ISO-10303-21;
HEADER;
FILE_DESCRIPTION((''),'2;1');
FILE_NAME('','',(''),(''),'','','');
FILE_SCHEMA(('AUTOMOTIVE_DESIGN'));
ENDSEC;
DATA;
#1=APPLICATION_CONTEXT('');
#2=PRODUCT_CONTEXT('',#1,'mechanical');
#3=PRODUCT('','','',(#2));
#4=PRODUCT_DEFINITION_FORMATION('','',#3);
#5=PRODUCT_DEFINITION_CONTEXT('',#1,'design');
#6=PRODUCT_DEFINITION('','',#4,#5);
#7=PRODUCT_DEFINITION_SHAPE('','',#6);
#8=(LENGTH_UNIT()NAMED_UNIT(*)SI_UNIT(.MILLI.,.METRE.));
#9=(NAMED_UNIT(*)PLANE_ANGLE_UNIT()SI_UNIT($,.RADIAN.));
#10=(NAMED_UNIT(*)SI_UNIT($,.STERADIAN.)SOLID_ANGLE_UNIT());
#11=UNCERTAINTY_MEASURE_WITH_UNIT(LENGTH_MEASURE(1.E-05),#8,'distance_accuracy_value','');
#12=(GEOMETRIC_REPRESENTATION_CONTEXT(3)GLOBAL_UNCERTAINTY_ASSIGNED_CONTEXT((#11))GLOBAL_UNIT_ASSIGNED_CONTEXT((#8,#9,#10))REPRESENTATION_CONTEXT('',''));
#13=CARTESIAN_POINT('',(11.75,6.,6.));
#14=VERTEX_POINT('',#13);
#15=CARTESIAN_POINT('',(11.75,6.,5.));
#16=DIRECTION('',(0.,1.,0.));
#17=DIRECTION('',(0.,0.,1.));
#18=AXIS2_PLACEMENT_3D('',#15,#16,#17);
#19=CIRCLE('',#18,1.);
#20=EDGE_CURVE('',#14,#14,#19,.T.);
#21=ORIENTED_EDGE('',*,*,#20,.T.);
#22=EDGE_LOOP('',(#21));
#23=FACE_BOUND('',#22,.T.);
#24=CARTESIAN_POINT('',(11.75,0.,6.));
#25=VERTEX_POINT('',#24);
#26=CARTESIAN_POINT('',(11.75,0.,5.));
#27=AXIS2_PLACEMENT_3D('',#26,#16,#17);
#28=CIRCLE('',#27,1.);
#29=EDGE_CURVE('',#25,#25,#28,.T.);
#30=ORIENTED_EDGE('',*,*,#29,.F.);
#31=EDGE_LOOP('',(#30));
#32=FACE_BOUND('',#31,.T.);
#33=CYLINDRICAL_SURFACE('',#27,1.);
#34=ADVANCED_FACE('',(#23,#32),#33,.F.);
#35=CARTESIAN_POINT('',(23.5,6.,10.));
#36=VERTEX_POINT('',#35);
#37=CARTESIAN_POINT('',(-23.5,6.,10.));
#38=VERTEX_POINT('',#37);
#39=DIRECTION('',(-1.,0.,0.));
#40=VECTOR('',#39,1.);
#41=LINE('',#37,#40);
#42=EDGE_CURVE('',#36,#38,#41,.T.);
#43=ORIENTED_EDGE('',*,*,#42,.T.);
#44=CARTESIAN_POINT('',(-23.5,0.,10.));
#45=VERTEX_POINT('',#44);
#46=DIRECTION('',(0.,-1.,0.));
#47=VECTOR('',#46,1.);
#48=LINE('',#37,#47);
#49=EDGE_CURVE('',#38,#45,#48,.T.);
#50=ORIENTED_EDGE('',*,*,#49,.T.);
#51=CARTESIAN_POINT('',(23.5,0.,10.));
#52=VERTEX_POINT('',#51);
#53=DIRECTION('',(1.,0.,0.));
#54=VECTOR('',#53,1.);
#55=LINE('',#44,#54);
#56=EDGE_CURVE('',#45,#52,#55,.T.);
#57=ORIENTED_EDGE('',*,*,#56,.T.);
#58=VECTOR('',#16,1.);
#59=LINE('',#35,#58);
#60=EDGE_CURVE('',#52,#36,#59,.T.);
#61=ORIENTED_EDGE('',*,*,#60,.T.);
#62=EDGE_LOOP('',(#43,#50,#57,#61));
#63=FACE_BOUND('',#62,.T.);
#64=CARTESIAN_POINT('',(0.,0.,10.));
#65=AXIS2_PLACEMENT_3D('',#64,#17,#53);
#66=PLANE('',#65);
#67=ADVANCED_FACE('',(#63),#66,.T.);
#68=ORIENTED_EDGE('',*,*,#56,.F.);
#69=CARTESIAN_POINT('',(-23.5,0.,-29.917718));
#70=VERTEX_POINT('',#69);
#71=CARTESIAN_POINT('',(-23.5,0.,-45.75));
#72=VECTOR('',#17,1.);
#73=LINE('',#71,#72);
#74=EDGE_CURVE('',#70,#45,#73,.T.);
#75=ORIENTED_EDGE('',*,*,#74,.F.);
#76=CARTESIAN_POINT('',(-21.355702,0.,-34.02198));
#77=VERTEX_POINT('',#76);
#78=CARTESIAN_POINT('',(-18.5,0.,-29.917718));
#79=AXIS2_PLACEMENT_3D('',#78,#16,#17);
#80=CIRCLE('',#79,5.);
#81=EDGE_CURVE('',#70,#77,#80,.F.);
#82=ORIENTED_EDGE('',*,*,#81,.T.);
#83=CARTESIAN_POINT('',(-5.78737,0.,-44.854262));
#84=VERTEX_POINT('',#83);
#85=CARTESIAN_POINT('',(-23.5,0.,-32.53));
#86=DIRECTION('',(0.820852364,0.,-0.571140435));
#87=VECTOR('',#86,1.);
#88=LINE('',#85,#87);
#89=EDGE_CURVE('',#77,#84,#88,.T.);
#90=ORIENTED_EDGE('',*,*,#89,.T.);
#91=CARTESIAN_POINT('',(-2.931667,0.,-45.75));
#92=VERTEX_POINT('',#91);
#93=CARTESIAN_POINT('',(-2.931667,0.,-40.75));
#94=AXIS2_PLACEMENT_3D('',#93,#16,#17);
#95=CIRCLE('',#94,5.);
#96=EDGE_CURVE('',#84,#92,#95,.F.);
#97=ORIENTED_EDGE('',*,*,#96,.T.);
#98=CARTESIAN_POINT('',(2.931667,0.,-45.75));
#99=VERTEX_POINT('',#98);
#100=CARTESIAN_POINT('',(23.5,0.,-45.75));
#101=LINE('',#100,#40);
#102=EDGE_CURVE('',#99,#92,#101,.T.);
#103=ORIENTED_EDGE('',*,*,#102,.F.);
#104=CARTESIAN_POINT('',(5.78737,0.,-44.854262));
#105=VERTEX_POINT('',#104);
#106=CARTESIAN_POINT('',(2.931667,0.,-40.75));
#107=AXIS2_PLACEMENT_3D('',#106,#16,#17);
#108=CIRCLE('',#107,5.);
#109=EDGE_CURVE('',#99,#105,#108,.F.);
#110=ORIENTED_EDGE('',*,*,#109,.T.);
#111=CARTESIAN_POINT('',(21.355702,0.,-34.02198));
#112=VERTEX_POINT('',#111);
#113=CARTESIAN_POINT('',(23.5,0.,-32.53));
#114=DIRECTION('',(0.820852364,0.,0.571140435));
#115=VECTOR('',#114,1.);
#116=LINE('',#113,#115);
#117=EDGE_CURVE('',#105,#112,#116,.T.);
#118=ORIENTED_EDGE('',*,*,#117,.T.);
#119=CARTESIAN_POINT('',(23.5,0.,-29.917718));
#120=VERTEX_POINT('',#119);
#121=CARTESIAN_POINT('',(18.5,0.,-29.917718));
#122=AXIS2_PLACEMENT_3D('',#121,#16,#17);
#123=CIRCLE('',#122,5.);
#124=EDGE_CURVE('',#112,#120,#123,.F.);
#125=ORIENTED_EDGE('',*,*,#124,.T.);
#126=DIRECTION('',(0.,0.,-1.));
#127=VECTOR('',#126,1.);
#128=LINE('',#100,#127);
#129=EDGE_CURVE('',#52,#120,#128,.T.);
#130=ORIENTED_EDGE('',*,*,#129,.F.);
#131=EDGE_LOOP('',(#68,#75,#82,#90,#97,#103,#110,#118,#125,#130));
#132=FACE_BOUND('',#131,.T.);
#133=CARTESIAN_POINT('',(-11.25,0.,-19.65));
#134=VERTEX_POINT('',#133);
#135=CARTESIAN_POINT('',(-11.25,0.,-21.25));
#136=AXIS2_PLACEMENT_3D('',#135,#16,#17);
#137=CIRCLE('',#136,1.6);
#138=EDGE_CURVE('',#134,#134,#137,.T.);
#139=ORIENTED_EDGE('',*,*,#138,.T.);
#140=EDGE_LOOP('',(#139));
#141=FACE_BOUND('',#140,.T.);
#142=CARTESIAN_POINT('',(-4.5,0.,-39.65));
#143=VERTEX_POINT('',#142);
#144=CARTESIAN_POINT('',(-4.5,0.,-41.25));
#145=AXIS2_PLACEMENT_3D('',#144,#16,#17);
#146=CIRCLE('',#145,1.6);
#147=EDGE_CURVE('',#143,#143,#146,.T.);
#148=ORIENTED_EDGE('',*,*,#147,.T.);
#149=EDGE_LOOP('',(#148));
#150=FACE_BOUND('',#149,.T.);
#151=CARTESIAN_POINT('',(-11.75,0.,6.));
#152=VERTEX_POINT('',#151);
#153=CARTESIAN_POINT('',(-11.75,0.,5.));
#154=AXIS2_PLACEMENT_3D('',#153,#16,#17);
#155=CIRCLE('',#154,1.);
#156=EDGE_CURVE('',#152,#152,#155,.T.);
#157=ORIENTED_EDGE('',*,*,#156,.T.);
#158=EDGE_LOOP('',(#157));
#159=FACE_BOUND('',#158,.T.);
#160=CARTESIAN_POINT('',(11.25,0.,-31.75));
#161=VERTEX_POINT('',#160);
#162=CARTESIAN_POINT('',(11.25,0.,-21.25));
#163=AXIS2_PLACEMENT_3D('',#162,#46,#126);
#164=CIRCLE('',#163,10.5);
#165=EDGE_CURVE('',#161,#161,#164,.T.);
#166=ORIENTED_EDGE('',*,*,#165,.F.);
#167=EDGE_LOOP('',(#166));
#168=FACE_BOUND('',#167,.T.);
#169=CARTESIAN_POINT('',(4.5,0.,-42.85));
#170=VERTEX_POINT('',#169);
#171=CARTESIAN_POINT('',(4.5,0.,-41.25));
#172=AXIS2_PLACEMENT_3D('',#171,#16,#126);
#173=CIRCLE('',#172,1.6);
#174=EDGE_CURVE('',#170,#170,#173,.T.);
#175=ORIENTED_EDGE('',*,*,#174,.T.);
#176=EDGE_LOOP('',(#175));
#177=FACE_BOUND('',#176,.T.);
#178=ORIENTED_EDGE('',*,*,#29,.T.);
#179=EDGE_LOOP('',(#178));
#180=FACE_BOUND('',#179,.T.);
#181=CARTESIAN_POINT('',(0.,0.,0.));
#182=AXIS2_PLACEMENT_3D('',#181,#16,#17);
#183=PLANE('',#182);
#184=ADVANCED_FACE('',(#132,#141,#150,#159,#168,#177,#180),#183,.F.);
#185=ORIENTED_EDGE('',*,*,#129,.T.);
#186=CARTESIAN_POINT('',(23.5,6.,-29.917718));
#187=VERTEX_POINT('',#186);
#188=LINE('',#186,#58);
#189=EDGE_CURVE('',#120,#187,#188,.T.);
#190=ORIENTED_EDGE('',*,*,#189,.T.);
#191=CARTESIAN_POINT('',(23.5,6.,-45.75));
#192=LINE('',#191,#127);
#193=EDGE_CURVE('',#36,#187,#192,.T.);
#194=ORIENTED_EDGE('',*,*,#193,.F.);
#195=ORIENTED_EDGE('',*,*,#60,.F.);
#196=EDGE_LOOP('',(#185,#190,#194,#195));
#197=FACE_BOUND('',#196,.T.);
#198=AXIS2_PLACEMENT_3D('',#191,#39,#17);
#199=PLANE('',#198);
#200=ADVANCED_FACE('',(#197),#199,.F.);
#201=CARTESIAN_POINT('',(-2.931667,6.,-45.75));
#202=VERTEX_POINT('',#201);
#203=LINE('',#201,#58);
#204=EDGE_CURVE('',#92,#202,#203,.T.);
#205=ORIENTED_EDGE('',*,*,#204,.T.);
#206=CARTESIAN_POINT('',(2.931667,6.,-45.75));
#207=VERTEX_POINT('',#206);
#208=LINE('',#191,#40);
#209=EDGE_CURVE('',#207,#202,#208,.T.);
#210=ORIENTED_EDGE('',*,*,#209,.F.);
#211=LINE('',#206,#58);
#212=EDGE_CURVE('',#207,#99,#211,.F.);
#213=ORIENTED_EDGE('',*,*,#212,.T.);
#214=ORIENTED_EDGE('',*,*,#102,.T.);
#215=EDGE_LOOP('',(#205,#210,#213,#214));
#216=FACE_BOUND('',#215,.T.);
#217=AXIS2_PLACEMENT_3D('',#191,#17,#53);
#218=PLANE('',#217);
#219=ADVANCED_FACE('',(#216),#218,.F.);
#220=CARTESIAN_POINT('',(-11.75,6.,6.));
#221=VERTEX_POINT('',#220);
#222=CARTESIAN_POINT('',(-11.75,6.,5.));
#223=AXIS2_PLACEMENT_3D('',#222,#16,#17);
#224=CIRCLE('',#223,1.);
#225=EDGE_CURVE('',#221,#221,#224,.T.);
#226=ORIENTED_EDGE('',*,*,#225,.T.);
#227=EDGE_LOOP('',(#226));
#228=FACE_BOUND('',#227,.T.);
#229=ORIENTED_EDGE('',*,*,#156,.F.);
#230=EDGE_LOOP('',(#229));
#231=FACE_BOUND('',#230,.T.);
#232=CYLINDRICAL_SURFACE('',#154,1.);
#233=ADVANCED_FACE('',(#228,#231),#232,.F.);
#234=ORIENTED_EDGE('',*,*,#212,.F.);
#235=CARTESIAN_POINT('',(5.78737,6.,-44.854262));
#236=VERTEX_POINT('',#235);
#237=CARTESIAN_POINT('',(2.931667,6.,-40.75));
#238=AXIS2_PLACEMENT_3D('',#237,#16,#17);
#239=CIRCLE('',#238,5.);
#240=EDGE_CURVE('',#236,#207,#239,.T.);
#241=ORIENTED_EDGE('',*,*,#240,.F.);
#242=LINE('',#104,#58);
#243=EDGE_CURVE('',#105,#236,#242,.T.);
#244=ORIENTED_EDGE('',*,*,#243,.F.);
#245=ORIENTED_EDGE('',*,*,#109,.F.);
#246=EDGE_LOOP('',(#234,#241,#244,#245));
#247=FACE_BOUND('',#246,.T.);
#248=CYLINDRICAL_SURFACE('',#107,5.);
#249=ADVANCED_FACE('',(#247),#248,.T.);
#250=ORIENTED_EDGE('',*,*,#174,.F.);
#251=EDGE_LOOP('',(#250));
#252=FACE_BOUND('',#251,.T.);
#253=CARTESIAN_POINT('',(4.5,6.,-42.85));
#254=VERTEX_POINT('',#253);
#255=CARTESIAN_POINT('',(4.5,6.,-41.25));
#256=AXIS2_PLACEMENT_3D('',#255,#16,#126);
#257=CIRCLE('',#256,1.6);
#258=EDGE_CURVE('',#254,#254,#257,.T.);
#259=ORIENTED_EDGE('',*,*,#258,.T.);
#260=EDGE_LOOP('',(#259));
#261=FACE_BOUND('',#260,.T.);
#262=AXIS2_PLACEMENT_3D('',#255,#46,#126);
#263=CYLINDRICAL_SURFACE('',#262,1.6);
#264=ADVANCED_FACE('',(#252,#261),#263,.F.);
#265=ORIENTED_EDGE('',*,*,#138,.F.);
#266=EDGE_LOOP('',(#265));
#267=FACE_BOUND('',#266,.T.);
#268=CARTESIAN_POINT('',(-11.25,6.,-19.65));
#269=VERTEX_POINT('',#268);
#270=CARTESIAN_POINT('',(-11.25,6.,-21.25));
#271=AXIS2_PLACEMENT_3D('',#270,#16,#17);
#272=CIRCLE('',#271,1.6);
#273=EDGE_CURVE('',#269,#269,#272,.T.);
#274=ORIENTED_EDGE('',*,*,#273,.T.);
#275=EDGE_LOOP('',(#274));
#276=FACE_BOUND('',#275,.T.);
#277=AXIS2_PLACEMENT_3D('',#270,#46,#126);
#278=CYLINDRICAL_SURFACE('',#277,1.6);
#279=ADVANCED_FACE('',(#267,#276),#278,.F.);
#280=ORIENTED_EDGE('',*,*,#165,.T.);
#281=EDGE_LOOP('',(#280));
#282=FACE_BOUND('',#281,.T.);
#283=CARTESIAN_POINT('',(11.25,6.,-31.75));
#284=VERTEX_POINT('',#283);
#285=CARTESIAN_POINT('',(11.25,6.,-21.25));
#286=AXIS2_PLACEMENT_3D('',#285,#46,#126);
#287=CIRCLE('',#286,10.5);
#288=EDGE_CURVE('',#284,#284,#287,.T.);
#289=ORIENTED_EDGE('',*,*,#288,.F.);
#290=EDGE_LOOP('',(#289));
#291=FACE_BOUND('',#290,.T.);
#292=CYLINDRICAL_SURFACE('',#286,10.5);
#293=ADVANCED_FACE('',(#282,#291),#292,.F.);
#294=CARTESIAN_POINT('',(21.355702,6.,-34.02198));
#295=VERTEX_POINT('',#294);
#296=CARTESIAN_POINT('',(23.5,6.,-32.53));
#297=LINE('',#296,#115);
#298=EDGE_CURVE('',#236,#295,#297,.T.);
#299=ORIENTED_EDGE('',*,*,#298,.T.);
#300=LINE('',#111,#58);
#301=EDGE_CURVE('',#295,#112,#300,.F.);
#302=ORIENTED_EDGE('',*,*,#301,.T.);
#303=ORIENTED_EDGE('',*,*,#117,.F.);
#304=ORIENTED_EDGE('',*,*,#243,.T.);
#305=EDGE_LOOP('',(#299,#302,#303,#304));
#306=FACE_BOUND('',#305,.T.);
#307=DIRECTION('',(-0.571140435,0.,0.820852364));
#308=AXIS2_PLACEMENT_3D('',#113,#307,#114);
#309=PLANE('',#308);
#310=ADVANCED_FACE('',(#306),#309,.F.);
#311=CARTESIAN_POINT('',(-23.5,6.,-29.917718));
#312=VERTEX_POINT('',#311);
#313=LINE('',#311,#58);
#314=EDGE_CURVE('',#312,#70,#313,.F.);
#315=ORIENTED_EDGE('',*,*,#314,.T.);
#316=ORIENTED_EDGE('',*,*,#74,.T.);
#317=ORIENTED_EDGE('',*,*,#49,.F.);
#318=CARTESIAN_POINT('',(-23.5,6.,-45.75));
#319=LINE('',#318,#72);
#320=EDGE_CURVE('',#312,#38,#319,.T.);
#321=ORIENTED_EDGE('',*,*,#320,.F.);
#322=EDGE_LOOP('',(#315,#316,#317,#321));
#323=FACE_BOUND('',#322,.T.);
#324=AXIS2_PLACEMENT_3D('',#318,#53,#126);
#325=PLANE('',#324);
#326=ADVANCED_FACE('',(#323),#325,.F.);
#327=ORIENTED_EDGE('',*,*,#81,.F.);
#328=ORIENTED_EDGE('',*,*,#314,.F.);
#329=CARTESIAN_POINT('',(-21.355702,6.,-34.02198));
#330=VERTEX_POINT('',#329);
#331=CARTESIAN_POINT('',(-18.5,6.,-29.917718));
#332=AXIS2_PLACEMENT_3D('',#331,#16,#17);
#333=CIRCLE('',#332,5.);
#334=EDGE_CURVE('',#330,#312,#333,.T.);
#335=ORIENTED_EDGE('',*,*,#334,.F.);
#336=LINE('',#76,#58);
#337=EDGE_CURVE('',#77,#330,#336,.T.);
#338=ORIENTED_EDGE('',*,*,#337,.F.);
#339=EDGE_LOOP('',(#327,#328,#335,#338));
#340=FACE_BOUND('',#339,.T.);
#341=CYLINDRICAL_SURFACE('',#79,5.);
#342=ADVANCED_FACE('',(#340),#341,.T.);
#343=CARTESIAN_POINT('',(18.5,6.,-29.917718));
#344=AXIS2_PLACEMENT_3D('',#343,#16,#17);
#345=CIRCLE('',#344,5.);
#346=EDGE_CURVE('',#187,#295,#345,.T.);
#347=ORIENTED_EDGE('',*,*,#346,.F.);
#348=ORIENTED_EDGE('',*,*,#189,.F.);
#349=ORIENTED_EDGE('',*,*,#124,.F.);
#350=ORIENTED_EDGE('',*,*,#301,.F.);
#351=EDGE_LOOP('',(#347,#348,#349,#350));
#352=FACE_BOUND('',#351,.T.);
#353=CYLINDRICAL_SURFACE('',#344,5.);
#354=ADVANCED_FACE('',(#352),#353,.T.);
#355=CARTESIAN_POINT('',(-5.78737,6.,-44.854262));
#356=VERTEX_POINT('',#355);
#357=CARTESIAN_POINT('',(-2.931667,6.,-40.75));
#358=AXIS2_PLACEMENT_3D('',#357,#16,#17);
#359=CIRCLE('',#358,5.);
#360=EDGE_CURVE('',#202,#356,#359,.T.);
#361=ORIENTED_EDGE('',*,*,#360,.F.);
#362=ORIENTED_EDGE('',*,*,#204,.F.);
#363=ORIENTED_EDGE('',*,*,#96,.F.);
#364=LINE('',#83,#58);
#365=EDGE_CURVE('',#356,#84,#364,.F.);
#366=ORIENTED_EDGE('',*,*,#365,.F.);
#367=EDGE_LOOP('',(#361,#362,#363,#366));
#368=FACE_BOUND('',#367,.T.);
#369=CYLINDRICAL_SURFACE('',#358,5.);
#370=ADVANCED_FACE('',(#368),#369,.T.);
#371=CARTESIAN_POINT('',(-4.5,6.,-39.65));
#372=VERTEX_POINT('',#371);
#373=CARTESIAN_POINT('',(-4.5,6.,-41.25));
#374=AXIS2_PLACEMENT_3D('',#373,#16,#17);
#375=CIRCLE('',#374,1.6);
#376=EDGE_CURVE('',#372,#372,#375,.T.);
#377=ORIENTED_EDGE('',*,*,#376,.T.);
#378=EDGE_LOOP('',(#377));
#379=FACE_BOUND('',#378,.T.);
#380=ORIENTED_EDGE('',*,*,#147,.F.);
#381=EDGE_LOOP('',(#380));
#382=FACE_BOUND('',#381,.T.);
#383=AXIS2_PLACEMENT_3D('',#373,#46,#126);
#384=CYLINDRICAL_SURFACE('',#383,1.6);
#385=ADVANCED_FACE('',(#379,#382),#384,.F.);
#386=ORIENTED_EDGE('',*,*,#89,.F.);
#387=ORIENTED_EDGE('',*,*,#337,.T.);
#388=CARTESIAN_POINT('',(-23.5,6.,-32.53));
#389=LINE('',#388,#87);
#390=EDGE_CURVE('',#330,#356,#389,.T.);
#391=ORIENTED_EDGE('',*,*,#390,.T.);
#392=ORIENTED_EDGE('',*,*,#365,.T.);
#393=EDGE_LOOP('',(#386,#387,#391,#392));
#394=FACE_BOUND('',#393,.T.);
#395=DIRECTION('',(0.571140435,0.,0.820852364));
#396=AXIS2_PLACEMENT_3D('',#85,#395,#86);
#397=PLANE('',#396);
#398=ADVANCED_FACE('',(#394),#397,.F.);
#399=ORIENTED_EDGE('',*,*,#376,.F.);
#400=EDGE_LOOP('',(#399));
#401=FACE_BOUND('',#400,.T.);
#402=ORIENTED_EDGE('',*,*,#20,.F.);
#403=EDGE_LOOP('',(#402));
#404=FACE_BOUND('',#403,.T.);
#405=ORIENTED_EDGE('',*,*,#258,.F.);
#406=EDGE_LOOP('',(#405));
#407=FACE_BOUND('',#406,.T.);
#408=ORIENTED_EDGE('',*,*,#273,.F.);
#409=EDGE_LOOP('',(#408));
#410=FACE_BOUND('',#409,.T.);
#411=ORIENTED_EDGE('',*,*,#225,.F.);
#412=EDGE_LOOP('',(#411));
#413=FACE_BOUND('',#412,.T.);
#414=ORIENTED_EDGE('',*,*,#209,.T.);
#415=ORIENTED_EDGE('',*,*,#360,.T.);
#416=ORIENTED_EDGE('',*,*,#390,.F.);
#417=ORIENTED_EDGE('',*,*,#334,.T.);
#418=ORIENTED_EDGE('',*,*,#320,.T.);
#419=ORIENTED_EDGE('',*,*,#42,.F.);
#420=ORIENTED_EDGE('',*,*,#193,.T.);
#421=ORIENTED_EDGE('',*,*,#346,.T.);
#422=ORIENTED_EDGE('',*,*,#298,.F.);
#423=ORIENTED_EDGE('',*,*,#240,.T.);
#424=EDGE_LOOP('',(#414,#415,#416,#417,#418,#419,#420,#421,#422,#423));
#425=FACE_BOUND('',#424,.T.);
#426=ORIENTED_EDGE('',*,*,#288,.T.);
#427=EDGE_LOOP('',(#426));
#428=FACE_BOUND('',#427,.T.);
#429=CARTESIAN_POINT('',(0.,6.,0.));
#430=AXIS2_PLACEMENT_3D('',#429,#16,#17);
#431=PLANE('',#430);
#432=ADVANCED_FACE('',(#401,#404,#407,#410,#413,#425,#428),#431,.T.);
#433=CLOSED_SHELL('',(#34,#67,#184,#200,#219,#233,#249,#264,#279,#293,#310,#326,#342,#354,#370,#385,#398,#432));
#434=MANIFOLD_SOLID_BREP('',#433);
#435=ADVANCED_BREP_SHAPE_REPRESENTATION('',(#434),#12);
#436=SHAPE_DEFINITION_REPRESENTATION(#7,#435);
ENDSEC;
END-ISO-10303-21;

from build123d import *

# Parameters (mm, degrees)
SKETCH1_W           = 47
SKETCH1_H           = 45.75
SKETCH1_R           = 1.6
BOSS_EXTRUDE1_DEPTH = 6
CUT_EXTRUDE1_DEPTH  = 7
FILLET1_R           = 5
SKETCH3_R           = 10.5
CUT_EXTRUDE2_DEPTH  = 7
SKETCH4_W           = 47
SKETCH4_H           = 6
BOSS_EXTRUDE2_DEPTH = 10
SKETCH6_R           = 1
CUT_EXTRUDE3_DEPTH  = 7


with BuildPart() as part:
    # Sketch1 → Boss-Extrude1 (new body)
    with BuildSketch(Plane(origin=(0, 0, 0), x_dir=(1, 0, 0), z_dir=(0, 1, 0))):
        with Locations((0, 22.875)):
            Rectangle(SKETCH1_W, SKETCH1_H)
        with Locations((-4.5, 41.25)):
            Circle(SKETCH1_R, mode=Mode.SUBTRACT)
        with Locations((-11.25, 21.25)):
            Circle(SKETCH1_R, mode=Mode.SUBTRACT)
        with Locations((11.25, 21.25)):
            Circle(SKETCH1_R, mode=Mode.SUBTRACT)
        with Locations((4.5, 41.25)):
            Circle(SKETCH1_R, mode=Mode.SUBTRACT)
    extrude(amount=BOSS_EXTRUDE1_DEPTH)

    # Sketch2 → Cut-Extrude1 (cut, through all)
    with BuildSketch(Plane(origin=(0, 6, 0), x_dir=(1, 0, 0), z_dir=(0, 1, 0))):
        Polygon((23.5, 32.53), (4.5, 45.75), (23.5, 45.75), align=None)
        Polygon((-23.5, 32.53), (-4.5, 45.75), (-23.5, 45.75), align=None)
    extrude(amount=-CUT_EXTRUDE1_DEPTH, mode=Mode.SUBTRACT)

    # Fillet1
    fillet1_edges = [part.edges().sort_by_distance(p)[0] for p in [
        (23.5, 3, -32.53),
        (4.5, 3, -45.75),
        (-23.5, 3, -32.53),
        (-4.5, 3, -45.75),
    ]]
    fillet(fillet1_edges, radius=FILLET1_R)

    # Sketch3 → Cut-Extrude2 (cut, through all)
    with BuildSketch(Plane.XZ):
        with Locations((11.25, -21.25)):
            Circle(SKETCH3_R)
    extrude(amount=-CUT_EXTRUDE2_DEPTH, mode=Mode.SUBTRACT)

    # Sketch4 → Boss-Extrude2 (add)
    with BuildSketch(Plane.XY):
        with Locations((0, 3)):
            Rectangle(SKETCH4_W, SKETCH4_H)
    extrude(amount=BOSS_EXTRUDE2_DEPTH)

    # Sketch6 → Cut-Extrude3 (cut, through all)
    with BuildSketch(Plane(origin=(0, 6, 0), x_dir=(1, 0, 0), z_dir=(0, 1, 0))):
        with Locations((-11.75, -5)):
            Circle(SKETCH6_R)
        with Locations((11.75, -5)):
            Circle(SKETCH6_R)
    extrude(amount=-CUT_EXTRUDE3_DEPTH, mode=Mode.SUBTRACT)


solid = part.part
